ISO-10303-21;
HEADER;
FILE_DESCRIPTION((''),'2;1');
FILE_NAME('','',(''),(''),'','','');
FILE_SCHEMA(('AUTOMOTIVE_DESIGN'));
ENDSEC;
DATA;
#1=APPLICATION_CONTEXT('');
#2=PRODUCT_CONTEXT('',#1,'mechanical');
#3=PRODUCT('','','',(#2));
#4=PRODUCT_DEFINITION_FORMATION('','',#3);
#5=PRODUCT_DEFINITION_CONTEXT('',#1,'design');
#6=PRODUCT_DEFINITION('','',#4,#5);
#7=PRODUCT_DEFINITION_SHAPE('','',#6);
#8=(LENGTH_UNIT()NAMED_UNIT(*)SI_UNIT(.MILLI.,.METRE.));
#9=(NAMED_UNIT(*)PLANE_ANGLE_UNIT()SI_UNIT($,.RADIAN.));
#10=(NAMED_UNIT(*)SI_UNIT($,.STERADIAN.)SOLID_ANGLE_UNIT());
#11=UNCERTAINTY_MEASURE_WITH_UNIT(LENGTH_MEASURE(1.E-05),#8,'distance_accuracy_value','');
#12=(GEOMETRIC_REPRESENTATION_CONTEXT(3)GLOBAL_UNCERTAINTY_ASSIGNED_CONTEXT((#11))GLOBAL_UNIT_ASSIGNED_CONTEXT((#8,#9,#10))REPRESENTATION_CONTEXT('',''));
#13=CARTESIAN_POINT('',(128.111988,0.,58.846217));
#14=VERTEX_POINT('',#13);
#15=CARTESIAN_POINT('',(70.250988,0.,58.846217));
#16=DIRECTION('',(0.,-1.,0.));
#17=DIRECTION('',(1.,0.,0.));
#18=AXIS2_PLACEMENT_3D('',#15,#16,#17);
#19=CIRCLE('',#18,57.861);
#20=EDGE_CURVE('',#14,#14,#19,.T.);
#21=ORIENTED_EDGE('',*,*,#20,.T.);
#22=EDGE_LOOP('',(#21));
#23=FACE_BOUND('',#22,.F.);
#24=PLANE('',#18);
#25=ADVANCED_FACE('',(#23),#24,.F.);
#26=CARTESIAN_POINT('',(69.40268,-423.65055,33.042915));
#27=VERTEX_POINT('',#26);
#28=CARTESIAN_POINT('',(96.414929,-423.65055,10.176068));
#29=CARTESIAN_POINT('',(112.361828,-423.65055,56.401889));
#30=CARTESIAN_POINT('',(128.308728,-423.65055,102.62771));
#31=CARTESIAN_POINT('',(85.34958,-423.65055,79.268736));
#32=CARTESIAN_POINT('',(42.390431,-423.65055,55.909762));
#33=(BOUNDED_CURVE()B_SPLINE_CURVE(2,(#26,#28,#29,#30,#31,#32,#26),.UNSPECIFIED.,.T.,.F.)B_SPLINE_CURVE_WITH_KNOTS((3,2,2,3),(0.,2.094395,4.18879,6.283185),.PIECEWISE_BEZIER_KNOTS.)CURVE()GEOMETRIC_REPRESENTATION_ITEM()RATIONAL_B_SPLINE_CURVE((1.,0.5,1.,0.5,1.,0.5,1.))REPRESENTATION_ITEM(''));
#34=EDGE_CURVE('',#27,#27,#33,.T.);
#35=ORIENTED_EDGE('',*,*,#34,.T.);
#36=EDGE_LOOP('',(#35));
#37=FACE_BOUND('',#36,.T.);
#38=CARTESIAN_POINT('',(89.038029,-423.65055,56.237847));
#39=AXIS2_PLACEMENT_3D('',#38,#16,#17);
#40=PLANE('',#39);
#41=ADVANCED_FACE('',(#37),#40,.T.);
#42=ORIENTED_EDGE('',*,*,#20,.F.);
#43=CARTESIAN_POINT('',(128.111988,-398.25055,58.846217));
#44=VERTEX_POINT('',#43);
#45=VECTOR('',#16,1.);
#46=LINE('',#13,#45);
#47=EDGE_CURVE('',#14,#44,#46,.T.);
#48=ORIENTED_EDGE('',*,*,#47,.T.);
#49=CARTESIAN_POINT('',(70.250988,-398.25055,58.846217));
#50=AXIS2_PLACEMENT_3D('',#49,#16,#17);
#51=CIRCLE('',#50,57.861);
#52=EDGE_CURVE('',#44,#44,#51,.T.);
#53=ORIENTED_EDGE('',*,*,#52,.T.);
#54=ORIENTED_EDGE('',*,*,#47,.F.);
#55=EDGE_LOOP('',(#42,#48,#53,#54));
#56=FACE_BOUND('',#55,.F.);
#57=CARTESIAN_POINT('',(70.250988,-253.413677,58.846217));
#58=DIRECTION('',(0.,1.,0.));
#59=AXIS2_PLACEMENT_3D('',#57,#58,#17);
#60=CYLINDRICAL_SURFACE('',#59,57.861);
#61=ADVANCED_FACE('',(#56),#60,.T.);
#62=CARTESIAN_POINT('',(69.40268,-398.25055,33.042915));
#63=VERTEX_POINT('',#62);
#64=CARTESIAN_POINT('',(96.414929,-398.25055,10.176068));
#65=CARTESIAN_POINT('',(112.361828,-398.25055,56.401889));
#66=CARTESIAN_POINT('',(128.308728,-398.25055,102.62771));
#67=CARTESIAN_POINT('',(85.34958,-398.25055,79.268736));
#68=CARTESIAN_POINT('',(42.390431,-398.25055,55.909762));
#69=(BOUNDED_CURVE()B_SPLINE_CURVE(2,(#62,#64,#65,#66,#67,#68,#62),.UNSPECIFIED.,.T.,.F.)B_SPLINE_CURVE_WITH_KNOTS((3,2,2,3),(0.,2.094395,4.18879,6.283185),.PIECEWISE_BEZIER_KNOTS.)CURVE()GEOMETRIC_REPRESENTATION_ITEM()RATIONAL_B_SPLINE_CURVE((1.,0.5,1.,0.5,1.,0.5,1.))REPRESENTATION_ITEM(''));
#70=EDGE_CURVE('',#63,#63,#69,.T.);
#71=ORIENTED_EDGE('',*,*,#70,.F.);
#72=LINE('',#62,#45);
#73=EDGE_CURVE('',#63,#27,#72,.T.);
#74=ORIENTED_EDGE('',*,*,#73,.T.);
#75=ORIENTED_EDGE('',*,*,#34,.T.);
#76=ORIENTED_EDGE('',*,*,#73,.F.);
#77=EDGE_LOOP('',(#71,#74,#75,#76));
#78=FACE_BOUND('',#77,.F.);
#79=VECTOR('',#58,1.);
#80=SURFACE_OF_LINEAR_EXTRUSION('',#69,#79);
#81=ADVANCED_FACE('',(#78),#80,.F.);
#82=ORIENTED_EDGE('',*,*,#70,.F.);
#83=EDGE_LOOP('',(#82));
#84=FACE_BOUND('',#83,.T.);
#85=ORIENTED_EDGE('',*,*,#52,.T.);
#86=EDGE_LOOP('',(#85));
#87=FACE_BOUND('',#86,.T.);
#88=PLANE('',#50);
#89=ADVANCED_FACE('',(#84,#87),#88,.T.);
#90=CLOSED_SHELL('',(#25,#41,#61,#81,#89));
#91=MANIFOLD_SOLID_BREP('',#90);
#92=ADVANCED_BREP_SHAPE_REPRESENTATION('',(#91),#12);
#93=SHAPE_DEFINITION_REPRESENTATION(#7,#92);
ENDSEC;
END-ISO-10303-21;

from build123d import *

# Parameters (mm, degrees)
F0_R      = 57.861
F1_DEPTH  = 253.413677
F1_FACE_R = 57.861
F2_DEPTH  = 144.836873
F5_DEPTH  = 25.4


with BuildPart() as f1:
    # F0 (on Front) → F1 (new body)
    with BuildSketch(Plane.XZ):
        with Locations((70.250988, 58.846217)):
            Circle(F0_R)
    extrude(amount=F1_DEPTH)

    # F1_face (on face) → F2 (join)
    with BuildSketch(Plane(origin=(70.250988, -253.413677, 58.846217), x_dir=(1, 0, 0), z_dir=(0, -1, 0))):
        Circle(F1_FACE_R)
    extrude(amount=F2_DEPTH)

    # F4 (on face) → F5 (join)
    with BuildSketch(Plane.XZ.offset(398.25055)):
        with BuildLine():
            add(Edge.make_bspline(
                [(69.40268, 33.042915), (96.414929, 10.176068), (112.361828, 56.401889), (128.308728, 102.62771), (85.34958, 79.268736), (42.390431, 55.909762), (69.40268, 33.042915)],
                knots=[0, 0, 0, 2.094395, 2.094395, 4.18879, 4.18879, 6.283185, 6.283185, 6.283185], degree=2, weights=[1, 0.5, 1, 0.5, 1, 0.5, 1]))
        make_face()
    extrude(amount=F5_DEPTH)


solid = f1.part
